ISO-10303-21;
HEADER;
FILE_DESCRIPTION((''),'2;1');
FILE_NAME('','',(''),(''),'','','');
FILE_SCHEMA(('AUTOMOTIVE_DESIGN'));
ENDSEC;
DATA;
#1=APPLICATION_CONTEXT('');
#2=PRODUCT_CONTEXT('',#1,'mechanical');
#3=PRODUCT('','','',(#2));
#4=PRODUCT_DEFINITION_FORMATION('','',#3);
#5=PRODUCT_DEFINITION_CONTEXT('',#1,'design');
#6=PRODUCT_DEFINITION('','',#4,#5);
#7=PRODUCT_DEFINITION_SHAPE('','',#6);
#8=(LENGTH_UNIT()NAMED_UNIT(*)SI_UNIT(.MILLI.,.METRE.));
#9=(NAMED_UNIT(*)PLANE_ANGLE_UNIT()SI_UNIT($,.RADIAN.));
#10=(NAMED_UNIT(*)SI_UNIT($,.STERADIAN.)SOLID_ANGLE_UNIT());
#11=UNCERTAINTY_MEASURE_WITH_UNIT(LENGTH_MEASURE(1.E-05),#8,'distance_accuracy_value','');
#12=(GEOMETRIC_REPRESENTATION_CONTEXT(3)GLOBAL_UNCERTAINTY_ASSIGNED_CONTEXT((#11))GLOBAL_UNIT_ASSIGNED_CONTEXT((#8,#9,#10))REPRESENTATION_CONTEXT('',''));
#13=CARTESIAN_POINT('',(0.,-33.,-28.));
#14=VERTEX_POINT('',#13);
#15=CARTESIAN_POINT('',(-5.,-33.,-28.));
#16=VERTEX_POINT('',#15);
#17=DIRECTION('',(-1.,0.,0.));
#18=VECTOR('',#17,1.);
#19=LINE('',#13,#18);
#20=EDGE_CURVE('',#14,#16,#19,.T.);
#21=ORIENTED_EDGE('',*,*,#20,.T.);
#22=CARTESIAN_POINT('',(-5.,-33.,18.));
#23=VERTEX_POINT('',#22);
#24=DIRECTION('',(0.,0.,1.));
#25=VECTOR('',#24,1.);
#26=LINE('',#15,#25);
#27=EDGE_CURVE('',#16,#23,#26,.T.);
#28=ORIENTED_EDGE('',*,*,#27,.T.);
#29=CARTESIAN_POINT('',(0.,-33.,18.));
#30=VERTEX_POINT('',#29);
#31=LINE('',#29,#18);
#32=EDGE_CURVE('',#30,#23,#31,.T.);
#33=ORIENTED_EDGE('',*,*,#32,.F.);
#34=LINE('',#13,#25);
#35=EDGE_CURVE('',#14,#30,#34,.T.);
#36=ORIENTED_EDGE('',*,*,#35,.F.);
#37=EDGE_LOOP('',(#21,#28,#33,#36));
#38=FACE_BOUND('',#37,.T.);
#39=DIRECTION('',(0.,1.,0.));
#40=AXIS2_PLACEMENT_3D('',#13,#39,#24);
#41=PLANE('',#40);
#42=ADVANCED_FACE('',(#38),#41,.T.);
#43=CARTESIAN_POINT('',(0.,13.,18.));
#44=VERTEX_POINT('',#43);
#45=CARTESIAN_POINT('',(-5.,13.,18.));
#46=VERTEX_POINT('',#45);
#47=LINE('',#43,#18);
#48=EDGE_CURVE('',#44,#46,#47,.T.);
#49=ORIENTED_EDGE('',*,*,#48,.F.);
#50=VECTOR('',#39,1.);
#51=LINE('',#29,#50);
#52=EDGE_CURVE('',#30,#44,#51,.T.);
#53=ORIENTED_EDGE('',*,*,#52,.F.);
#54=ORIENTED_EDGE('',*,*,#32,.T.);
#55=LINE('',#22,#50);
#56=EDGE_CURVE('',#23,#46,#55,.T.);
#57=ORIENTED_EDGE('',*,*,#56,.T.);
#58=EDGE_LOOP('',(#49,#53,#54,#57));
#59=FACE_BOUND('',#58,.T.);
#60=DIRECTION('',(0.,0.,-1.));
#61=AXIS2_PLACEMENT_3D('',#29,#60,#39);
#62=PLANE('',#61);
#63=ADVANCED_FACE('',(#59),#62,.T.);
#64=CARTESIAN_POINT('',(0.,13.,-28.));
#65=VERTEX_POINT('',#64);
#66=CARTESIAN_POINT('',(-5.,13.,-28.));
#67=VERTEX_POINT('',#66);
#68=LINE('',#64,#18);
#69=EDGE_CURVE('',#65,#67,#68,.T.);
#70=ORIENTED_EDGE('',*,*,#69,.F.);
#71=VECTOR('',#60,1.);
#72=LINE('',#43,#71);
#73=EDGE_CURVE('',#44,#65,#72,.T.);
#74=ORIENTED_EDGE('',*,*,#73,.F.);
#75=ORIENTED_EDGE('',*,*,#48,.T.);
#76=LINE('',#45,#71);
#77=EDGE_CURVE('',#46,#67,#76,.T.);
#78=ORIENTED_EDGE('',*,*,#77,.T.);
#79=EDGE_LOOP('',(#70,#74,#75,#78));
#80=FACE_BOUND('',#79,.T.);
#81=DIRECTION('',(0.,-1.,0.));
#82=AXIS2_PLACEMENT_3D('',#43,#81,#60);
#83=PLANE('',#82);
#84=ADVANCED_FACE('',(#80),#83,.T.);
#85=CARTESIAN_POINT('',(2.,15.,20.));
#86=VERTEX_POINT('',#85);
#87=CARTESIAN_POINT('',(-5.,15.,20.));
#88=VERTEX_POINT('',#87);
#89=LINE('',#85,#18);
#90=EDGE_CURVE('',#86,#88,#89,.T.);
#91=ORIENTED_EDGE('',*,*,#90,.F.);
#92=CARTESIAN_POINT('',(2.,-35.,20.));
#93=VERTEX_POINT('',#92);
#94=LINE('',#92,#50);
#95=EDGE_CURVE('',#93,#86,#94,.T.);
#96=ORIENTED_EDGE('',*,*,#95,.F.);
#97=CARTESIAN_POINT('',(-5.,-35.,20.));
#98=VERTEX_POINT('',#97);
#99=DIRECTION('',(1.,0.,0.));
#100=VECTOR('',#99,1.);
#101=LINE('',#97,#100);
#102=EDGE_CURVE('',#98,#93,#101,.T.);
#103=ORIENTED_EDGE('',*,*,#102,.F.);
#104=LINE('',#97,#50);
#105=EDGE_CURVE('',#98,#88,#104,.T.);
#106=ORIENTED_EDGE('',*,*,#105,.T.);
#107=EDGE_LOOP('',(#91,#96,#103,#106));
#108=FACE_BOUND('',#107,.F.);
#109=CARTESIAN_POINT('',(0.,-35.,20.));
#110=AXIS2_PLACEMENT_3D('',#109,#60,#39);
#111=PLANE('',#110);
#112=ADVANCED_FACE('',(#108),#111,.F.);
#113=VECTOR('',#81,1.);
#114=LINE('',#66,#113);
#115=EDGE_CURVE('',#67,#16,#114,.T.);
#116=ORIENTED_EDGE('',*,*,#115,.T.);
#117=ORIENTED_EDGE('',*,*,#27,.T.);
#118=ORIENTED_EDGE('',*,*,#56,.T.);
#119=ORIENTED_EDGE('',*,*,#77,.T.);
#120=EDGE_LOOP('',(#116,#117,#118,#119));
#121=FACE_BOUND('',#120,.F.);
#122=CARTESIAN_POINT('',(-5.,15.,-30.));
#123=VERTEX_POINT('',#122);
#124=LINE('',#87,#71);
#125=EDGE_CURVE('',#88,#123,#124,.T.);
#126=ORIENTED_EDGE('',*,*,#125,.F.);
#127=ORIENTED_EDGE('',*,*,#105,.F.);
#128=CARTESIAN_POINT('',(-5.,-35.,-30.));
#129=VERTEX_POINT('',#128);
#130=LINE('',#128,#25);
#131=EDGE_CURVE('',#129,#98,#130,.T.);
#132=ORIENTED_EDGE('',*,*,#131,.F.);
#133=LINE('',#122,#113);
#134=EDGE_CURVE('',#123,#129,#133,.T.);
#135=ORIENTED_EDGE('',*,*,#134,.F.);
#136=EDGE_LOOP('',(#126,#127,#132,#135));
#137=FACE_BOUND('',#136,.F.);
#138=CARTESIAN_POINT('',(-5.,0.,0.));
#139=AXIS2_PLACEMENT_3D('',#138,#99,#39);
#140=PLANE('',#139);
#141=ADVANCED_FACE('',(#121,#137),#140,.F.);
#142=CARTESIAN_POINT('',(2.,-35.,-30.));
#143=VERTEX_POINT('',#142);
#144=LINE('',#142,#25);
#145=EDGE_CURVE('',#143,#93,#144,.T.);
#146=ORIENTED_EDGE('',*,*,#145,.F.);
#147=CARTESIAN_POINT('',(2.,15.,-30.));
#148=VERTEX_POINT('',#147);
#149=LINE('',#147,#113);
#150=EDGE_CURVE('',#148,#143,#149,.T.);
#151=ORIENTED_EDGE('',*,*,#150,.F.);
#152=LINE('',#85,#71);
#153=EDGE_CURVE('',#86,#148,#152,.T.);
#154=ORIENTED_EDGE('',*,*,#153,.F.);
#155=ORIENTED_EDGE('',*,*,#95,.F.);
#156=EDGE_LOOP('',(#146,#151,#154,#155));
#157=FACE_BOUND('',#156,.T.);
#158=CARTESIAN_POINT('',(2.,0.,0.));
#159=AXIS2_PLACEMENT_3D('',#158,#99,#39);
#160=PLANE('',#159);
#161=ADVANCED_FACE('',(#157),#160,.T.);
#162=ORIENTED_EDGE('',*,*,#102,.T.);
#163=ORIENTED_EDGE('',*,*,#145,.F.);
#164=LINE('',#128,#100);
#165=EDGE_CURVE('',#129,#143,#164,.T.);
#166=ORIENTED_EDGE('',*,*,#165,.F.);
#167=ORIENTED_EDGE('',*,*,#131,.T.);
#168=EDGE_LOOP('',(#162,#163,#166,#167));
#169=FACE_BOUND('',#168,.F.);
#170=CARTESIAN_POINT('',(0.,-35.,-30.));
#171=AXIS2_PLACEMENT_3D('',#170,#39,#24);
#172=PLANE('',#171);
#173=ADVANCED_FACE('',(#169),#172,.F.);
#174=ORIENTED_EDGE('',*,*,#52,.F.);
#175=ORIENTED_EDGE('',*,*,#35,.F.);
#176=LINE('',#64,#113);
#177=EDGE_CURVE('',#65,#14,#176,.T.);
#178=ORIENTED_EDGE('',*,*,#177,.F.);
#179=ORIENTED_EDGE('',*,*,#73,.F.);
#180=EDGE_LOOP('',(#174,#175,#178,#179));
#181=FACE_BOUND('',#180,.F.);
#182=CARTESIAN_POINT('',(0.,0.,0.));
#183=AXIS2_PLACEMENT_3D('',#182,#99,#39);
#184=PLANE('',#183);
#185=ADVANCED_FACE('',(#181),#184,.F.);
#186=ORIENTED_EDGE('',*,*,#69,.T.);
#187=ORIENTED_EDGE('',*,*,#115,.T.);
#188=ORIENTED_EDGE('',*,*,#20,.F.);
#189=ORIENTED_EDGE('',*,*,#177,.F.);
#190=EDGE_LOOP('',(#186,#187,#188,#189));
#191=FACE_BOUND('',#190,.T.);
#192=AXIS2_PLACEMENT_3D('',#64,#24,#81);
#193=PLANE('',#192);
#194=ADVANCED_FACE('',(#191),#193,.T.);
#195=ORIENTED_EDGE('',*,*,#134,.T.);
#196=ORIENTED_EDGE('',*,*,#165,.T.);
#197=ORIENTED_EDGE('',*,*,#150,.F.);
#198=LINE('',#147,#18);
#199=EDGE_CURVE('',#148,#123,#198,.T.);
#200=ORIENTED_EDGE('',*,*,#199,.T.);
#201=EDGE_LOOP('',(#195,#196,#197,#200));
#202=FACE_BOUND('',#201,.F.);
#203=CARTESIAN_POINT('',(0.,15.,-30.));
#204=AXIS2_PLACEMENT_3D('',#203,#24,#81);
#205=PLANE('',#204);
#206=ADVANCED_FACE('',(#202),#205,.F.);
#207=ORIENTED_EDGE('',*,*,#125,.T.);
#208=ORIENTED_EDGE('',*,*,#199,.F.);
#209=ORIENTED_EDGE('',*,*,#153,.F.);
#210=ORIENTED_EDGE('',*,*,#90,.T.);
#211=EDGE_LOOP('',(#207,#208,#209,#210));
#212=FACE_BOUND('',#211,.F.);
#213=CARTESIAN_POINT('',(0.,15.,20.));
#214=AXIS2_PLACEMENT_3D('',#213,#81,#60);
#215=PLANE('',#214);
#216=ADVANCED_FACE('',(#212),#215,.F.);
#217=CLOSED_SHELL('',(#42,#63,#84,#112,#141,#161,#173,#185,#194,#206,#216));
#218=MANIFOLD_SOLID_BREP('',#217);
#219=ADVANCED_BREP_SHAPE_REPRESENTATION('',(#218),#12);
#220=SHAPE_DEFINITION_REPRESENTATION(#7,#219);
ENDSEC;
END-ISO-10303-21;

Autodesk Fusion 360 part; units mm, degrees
sketch "Sketch1" plane through (0, 0, 0) normal (1, 0, 0) x (0, 1, 0)
  line L0 (-35, 20) -> (15, 20)
  line L1 (15, 20) -> (15, -30)
  line L2 (15, -30) -> (-35, -30)
  line L3 (-35, -30) -> (-35, 20)
  line L4 (13, -28) -> (-33, -28)
  line L5 (-33, -28) -> (-33, 18)
  line L6 (-33, 18) -> (13, 18)
  line L7 (13, 18) -> (13, -28)
  dimension "d1" = 50
  dimension "d2" = 50
  dimension "d3" = 2
extrude "Extrude1" add sketch "Sketch1" along normal blind 2 contours L0 L1 L2 L3 | L4 L5 L6 L7
extrude "Extrude2" add sketch "Sketch1" against normal blind 5
